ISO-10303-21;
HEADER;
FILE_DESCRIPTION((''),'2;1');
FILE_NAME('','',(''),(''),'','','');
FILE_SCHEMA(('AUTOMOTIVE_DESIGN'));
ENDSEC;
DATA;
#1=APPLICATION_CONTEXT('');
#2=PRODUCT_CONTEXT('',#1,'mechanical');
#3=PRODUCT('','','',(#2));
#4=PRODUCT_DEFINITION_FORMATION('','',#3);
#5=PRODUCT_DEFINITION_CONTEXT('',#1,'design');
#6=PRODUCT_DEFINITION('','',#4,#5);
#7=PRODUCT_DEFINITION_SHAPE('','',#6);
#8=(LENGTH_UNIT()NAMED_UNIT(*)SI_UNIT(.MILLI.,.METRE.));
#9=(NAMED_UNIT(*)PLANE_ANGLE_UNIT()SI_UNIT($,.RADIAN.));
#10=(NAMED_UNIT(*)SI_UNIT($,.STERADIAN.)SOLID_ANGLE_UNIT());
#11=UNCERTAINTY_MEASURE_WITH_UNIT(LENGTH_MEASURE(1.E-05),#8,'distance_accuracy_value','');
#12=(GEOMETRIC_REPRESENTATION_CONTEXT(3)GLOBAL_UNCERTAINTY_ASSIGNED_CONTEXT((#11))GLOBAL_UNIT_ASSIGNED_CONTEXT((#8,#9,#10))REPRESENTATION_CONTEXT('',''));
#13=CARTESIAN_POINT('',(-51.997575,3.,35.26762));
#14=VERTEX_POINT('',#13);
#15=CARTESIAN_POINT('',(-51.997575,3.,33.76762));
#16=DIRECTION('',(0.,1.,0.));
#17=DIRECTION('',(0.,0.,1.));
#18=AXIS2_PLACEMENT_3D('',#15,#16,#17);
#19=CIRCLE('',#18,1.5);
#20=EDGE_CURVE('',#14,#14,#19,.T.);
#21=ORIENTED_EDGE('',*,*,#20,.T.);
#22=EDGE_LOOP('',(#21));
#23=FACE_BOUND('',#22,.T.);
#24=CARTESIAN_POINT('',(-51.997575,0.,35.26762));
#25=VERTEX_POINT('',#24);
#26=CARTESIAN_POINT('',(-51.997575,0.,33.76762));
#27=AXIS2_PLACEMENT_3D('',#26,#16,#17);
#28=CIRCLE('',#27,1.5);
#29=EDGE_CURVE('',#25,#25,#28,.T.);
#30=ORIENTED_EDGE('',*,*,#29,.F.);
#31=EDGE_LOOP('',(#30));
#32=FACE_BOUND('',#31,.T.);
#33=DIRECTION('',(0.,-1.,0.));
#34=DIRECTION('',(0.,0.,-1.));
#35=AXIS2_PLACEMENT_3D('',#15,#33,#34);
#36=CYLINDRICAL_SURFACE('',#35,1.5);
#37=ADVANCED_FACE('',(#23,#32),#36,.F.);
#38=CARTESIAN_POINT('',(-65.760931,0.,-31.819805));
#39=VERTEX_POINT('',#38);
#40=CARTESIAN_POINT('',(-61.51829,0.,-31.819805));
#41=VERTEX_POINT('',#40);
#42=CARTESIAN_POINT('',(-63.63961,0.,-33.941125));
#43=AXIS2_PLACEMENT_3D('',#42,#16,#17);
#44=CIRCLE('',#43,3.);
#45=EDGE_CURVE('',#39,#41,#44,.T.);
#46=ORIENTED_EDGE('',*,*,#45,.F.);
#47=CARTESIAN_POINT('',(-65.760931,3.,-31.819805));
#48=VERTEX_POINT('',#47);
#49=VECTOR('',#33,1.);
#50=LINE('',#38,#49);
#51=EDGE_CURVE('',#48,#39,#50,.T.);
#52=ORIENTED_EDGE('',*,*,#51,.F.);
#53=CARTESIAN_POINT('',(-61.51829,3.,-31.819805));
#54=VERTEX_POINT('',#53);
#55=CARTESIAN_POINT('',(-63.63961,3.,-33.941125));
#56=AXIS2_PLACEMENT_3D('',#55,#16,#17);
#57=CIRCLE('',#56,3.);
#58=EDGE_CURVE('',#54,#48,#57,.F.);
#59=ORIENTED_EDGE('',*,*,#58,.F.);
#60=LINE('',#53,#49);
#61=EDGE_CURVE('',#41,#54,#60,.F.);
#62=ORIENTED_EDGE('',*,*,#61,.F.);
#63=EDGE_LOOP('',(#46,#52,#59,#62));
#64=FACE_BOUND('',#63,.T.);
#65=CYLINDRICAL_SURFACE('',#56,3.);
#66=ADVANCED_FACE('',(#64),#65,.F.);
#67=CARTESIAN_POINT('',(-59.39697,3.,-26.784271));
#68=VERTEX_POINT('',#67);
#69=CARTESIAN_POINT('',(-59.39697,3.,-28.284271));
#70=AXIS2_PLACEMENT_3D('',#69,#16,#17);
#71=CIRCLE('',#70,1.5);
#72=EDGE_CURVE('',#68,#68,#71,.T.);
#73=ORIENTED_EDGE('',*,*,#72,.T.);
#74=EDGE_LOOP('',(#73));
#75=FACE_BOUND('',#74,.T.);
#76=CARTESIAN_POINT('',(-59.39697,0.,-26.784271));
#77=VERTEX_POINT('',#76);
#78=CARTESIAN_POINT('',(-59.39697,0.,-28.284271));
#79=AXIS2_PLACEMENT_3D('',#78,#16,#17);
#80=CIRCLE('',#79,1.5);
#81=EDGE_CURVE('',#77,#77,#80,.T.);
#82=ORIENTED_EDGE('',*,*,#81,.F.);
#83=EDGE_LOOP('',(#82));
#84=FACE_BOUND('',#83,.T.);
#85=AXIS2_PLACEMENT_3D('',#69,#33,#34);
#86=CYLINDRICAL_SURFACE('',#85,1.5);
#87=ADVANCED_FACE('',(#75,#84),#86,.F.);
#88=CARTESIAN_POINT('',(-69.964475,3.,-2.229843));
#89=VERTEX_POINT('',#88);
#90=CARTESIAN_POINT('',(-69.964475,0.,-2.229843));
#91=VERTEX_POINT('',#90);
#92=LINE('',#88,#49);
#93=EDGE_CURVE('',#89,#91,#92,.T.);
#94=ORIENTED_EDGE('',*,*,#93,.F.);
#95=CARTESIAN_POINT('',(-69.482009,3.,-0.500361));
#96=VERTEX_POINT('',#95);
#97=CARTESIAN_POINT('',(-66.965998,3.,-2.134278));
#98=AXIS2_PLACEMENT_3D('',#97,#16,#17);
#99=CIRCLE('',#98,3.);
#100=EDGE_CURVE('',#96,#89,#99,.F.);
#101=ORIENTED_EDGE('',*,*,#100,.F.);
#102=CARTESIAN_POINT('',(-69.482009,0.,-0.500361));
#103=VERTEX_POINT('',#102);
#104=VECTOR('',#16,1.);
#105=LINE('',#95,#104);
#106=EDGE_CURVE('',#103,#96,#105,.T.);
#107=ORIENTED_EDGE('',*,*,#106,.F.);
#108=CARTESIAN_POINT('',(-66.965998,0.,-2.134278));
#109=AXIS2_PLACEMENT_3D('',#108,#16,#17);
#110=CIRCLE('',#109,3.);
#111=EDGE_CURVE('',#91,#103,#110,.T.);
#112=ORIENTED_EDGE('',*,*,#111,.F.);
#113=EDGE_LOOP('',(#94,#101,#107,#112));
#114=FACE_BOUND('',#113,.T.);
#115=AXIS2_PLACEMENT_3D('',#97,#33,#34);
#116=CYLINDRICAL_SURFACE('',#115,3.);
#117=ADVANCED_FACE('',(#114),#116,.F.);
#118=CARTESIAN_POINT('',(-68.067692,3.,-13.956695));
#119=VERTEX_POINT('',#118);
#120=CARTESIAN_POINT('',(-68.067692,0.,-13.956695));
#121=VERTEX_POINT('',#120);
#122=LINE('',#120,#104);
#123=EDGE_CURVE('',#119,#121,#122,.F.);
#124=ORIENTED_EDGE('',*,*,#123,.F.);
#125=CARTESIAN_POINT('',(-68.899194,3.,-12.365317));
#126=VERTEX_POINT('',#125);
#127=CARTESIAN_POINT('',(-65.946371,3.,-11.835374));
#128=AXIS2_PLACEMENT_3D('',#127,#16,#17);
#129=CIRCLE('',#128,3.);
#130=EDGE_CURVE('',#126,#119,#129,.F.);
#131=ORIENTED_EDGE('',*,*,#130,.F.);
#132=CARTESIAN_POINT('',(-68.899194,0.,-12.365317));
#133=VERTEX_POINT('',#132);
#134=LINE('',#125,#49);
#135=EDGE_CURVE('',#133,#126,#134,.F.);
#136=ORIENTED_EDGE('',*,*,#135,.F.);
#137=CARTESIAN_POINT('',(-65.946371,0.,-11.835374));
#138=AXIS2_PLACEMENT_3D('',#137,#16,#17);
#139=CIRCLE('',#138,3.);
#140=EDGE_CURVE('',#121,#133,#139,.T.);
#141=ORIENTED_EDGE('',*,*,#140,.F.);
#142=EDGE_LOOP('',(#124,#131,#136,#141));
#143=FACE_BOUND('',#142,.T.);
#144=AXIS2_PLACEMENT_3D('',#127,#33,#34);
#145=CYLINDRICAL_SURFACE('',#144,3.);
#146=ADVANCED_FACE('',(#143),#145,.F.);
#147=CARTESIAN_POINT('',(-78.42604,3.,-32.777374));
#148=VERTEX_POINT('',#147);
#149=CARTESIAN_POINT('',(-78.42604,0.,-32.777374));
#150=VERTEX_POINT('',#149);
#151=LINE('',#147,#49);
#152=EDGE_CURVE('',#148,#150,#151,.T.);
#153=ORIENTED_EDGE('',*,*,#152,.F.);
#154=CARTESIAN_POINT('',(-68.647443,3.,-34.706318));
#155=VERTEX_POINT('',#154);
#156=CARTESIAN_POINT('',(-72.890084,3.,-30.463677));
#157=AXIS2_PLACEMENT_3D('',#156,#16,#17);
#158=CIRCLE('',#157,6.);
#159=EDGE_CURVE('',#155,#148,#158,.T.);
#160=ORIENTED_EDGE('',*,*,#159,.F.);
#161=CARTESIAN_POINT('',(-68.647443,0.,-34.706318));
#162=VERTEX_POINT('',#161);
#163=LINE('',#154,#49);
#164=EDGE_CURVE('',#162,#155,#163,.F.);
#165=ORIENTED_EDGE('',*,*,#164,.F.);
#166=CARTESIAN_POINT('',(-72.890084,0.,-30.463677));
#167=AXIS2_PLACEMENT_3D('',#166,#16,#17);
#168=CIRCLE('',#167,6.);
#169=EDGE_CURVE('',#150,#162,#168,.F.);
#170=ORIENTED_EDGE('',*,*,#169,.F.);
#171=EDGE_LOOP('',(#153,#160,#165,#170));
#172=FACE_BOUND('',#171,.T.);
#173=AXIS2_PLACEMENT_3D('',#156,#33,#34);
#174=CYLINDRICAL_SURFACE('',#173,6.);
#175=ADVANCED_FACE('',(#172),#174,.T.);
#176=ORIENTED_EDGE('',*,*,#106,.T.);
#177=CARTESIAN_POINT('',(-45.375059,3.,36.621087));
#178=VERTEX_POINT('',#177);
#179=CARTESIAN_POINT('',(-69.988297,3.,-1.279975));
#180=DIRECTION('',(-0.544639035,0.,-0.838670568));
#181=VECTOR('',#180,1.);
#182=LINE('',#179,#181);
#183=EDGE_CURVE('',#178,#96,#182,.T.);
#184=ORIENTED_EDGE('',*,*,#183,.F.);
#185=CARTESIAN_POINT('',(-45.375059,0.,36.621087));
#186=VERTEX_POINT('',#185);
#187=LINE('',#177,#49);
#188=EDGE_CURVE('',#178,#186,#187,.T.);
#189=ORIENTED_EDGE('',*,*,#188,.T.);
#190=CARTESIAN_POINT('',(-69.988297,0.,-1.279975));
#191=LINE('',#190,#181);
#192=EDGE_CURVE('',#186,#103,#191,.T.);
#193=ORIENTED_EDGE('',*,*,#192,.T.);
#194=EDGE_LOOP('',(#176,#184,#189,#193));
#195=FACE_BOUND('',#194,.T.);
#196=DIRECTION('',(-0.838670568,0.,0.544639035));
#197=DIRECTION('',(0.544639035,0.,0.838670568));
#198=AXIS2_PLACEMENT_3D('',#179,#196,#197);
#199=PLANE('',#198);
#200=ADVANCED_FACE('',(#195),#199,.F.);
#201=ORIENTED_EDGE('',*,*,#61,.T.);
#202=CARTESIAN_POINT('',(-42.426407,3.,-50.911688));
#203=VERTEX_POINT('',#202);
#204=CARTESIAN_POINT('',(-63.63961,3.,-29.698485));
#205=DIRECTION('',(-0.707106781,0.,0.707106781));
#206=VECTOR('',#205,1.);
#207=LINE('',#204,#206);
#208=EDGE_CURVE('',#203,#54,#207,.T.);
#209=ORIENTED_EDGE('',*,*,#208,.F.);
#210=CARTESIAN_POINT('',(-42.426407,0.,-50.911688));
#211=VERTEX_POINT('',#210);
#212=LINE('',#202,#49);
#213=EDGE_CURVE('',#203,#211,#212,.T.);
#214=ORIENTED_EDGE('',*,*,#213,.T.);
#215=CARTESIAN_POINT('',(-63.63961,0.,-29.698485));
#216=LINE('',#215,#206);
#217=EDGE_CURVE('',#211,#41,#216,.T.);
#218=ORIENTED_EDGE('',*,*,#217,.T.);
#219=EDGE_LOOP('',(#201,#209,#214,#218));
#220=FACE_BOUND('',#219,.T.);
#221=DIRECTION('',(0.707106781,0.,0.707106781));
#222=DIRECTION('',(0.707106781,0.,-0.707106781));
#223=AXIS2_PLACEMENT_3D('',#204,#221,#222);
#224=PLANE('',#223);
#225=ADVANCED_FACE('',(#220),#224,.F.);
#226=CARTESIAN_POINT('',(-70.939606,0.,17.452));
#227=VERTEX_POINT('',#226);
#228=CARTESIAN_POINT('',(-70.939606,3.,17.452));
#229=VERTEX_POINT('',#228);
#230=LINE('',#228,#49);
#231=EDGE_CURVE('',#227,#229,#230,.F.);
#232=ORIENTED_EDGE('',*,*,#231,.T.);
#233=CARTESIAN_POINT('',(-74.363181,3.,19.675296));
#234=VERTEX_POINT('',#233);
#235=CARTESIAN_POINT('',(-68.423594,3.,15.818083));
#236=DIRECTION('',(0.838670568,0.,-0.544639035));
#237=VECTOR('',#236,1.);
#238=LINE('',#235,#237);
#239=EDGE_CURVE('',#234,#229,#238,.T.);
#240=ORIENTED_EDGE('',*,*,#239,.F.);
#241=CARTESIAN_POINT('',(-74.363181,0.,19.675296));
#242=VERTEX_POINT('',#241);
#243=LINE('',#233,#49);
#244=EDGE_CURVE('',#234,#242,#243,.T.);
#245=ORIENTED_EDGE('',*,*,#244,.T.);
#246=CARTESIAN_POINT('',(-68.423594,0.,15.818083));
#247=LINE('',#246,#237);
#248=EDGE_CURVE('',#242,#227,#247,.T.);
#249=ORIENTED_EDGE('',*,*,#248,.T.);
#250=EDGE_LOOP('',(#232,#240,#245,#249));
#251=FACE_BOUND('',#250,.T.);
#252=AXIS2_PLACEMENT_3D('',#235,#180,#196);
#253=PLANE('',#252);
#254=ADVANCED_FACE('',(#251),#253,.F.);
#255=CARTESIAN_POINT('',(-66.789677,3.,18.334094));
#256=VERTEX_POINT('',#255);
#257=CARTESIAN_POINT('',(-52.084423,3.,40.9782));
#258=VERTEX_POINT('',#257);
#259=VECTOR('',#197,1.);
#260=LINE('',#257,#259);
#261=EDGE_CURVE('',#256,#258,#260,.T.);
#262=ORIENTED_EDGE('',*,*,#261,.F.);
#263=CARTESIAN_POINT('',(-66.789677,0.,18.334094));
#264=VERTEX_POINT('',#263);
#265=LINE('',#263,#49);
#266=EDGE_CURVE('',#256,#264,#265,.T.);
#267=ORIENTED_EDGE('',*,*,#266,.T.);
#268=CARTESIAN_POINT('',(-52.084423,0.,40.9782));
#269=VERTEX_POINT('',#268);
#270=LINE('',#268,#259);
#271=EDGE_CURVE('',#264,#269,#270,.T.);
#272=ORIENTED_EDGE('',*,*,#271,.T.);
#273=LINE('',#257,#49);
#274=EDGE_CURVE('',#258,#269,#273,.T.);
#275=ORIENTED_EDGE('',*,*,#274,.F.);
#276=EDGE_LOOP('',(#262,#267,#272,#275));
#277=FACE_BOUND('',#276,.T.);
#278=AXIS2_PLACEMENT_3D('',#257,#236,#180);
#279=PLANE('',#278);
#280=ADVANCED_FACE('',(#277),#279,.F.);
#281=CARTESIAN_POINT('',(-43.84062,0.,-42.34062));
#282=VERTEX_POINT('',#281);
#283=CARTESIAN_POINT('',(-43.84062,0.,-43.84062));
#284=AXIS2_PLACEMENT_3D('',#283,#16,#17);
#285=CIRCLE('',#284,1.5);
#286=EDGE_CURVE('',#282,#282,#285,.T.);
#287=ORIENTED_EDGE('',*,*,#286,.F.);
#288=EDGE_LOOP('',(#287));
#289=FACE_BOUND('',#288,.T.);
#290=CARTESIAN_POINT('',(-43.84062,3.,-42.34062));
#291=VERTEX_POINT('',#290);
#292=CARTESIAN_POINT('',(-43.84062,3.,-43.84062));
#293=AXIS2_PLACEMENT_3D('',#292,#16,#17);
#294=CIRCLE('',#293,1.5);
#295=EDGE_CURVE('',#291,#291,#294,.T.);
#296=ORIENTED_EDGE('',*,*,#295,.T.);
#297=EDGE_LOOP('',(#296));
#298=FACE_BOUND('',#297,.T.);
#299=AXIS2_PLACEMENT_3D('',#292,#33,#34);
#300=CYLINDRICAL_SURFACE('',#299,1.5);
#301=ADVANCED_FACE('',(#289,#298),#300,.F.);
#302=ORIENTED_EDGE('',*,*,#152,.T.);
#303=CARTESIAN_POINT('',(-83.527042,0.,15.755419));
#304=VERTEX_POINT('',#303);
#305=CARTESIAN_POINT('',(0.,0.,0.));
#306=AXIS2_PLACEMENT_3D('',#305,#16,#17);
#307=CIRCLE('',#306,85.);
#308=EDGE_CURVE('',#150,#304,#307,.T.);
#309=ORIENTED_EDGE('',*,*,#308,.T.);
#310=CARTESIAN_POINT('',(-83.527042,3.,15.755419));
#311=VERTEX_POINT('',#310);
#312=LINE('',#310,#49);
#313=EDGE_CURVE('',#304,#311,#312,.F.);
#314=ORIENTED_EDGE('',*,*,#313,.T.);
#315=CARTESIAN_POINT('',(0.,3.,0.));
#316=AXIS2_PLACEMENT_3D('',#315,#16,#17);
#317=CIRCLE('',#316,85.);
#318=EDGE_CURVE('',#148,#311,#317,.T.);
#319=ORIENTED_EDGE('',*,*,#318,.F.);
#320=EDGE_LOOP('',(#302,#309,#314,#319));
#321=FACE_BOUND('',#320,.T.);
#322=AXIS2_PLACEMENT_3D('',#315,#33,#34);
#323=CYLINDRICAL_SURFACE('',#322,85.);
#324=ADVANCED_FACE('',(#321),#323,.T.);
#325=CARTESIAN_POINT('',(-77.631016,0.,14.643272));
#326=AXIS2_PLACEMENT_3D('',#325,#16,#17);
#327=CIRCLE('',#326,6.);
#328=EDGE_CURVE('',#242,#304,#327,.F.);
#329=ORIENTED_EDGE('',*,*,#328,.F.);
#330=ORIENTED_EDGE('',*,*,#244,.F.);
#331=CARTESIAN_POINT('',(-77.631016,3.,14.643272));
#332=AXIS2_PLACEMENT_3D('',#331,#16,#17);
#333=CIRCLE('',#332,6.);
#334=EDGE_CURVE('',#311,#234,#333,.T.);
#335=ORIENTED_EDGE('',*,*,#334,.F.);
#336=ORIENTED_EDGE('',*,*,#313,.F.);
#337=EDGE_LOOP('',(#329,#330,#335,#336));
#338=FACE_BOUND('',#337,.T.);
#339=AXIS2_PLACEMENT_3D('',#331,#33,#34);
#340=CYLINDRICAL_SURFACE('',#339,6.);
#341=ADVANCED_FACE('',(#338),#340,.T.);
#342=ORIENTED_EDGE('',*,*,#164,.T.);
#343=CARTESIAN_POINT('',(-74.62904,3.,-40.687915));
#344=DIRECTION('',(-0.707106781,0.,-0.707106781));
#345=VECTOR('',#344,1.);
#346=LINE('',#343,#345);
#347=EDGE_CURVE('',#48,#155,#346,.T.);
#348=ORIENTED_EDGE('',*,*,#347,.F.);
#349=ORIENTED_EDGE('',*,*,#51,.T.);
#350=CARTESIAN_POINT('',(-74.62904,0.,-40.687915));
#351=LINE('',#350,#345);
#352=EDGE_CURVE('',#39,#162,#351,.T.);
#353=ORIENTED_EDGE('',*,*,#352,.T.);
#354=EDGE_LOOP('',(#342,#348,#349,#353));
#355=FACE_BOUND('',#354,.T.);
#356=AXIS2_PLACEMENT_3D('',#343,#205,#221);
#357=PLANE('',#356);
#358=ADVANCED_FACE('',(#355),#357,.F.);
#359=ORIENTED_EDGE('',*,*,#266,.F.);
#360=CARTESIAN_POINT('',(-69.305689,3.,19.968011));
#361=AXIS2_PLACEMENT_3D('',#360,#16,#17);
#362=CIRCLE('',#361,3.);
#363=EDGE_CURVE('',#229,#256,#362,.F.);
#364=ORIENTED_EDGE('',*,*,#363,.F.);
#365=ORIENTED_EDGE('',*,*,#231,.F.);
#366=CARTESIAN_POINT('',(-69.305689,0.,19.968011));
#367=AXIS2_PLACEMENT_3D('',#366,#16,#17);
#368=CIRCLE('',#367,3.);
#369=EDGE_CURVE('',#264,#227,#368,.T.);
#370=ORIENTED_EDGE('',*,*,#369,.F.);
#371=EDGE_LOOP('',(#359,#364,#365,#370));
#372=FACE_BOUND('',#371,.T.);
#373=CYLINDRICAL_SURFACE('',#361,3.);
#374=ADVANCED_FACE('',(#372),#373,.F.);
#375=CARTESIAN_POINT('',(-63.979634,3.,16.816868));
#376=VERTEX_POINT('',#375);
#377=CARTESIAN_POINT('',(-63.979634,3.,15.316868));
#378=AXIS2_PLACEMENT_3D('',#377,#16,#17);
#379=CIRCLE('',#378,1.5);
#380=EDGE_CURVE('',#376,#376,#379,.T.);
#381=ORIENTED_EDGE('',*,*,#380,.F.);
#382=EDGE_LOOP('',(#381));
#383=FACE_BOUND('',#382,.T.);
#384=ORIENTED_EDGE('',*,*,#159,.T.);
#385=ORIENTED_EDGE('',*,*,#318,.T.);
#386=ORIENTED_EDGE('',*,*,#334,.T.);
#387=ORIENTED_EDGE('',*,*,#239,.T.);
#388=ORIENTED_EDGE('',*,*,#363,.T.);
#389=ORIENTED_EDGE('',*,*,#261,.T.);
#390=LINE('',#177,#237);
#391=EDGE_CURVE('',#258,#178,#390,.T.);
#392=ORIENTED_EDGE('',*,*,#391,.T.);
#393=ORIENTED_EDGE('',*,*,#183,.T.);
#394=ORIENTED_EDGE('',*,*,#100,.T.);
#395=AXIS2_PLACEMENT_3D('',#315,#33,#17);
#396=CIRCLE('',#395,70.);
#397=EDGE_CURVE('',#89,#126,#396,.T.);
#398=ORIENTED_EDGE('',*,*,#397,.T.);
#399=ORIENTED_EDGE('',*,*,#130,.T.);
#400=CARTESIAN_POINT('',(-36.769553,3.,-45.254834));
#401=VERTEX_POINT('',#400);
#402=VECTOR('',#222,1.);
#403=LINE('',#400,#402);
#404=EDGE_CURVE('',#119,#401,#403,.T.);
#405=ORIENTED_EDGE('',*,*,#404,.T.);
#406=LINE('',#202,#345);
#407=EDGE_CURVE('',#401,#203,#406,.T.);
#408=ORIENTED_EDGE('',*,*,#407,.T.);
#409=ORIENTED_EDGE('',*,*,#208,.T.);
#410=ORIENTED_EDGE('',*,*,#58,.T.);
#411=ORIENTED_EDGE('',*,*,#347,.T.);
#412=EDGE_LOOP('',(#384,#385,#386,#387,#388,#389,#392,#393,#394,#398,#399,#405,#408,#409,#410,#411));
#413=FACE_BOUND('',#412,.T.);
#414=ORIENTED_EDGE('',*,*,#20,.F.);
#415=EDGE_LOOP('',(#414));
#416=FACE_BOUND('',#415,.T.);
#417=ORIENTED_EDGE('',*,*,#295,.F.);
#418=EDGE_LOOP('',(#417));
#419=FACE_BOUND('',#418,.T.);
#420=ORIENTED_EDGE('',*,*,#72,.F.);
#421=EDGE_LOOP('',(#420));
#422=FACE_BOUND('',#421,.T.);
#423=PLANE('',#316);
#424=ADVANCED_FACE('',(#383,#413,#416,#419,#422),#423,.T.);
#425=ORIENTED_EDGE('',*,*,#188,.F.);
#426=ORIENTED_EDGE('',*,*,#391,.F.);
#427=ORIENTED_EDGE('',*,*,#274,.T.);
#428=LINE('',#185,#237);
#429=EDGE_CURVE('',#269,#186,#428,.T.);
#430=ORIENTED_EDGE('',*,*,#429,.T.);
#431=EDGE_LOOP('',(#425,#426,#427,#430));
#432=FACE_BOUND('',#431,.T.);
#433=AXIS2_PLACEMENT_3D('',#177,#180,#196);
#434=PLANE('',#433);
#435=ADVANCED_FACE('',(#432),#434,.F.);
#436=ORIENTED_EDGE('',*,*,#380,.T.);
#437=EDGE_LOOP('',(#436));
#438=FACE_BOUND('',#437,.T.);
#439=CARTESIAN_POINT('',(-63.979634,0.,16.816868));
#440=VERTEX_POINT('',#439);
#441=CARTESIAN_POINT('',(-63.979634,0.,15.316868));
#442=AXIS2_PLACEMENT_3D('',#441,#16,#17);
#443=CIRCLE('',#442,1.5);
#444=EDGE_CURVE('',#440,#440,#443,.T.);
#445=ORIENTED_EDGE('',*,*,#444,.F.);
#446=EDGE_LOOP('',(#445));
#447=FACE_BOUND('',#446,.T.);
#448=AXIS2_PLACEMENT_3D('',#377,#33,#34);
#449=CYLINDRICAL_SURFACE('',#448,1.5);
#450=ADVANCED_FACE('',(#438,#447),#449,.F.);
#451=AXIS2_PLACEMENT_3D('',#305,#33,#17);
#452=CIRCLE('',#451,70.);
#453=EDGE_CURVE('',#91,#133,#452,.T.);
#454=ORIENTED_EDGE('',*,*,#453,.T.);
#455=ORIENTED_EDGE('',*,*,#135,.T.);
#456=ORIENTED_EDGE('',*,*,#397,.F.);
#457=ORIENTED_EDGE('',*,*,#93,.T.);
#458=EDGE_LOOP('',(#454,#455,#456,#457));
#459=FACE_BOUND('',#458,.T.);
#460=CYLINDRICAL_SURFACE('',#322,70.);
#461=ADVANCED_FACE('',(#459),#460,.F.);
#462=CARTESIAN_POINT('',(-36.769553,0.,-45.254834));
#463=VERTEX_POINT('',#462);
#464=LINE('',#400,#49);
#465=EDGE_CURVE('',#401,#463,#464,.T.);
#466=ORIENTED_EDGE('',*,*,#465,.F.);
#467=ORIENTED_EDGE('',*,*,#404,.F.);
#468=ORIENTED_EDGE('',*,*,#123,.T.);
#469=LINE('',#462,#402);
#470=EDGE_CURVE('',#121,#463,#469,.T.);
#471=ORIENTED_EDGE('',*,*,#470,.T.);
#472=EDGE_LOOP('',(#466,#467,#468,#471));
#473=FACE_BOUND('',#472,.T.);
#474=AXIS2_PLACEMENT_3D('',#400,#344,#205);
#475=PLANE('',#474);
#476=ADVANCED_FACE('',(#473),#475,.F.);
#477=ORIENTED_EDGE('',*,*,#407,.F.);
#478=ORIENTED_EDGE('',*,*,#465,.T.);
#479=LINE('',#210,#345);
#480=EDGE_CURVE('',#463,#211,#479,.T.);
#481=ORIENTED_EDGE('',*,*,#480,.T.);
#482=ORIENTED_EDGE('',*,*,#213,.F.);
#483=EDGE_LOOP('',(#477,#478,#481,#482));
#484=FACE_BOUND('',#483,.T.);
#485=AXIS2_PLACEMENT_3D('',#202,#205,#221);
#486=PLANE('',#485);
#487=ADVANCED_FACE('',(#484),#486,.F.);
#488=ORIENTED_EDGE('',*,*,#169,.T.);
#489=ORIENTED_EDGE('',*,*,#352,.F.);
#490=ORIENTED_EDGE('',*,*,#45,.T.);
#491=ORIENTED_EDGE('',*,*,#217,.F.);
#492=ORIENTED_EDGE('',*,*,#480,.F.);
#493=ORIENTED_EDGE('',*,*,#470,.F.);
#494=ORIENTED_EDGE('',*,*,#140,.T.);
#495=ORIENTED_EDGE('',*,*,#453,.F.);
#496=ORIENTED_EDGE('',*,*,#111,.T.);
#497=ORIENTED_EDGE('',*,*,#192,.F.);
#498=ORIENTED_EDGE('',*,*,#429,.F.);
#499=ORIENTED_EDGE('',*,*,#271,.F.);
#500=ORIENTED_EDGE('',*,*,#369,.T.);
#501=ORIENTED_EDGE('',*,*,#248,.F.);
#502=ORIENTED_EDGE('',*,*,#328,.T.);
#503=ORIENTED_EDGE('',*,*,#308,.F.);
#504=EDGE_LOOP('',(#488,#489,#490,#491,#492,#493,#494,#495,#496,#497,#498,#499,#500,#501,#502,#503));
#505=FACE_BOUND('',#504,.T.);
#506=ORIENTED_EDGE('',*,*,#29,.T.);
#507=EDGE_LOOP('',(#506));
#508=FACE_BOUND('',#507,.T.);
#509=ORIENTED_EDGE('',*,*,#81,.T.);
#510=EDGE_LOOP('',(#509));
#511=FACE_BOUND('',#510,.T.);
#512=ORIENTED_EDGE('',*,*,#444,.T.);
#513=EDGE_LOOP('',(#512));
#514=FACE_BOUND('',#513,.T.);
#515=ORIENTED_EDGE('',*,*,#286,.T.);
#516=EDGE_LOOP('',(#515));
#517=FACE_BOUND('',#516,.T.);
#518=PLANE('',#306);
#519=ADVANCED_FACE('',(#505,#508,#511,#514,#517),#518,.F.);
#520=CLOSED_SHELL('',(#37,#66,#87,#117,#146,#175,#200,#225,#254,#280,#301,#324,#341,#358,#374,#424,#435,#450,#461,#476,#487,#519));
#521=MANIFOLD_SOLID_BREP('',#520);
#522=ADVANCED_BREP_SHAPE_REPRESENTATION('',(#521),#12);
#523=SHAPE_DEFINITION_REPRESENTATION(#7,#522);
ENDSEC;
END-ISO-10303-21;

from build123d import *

# Parameters (mm, degrees)
SKETCH1_R           = 1.5
BOSS_EXTRUDE1_DEPTH = 3
FILLET1_R           = 6
FILLET2_R           = 3


with BuildPart() as part:
    # Sketch1 → Boss-Extrude1 (new body)
    with BuildSketch(Plane(origin=(0, 0, 0), x_dir=(1, 0, 0), z_dir=(0, 1, 0))):
        with BuildLine():
            Line((-74.629040009, 40.687914512), (-63.639610307, 29.69848481))
            Line((-63.639610307, 29.69848481), (-42.426406871, 50.911688245))
            Line((-42.426406871, 50.911688245), (-36.769552622, 45.254833996))
            Line((-36.769552622, 45.254833996), (-68.72500623, 13.299380388))
            ThreePointArc((-68.72500623, 13.299380388), (-69.616532676, 7.316992429), (-69.988296617, 1.279975229))
            Line((-69.988296617, 1.279975229), (-45.375058731, -36.621087439))
            Line((-45.375058731, -36.621087439), (-52.084423274, -40.978199719))
            Line((-52.084423274, -40.978199719), (-68.423594325, -15.81808268))
            Line((-68.423594325, -15.81808268), (-81.457709532, -24.282536066))
            ThreePointArc((-81.457709532, -24.282536066), (-84.534361106, 8.884919378), (-74.629040009, 40.687914512))
        make_face()
        with Locations((-43.840620434, 43.840620434)):
            Circle(SKETCH1_R, mode=Mode.SUBTRACT)
        with Locations((-59.39696962, 28.284271247)):
            Circle(SKETCH1_R, mode=Mode.SUBTRACT)
        with Locations((-51.997575213, -33.767620171)):
            Circle(SKETCH1_R, mode=Mode.SUBTRACT)
        with Locations((-63.979633983, -15.316867676)):
            Circle(SKETCH1_R, mode=Mode.SUBTRACT)
    extrude(amount=BOSS_EXTRUDE1_DEPTH)

    # Fillet1
    fillet1_edges = [part.edges().sort_by_distance(p)[0] for p in [
        (-74.629040009, 1.5, -40.687914512),
        (-81.457709532, 1.5, 24.282536066),
    ]]
    fillet(fillet1_edges, radius=FILLET1_R)

    # Fillet2
    fillet2_edges = [part.edges().sort_by_distance(p)[0] for p in [
        (-63.639610307, 1.5, -29.69848481),
        (-68.72500623, 1.5, -13.299380388),
        (-69.988296617, 1.5, -1.279975229),
        (-68.423594325, 1.5, 15.81808268),
    ]]
    fillet(fillet2_edges, radius=FILLET2_R)


solid = part.part
